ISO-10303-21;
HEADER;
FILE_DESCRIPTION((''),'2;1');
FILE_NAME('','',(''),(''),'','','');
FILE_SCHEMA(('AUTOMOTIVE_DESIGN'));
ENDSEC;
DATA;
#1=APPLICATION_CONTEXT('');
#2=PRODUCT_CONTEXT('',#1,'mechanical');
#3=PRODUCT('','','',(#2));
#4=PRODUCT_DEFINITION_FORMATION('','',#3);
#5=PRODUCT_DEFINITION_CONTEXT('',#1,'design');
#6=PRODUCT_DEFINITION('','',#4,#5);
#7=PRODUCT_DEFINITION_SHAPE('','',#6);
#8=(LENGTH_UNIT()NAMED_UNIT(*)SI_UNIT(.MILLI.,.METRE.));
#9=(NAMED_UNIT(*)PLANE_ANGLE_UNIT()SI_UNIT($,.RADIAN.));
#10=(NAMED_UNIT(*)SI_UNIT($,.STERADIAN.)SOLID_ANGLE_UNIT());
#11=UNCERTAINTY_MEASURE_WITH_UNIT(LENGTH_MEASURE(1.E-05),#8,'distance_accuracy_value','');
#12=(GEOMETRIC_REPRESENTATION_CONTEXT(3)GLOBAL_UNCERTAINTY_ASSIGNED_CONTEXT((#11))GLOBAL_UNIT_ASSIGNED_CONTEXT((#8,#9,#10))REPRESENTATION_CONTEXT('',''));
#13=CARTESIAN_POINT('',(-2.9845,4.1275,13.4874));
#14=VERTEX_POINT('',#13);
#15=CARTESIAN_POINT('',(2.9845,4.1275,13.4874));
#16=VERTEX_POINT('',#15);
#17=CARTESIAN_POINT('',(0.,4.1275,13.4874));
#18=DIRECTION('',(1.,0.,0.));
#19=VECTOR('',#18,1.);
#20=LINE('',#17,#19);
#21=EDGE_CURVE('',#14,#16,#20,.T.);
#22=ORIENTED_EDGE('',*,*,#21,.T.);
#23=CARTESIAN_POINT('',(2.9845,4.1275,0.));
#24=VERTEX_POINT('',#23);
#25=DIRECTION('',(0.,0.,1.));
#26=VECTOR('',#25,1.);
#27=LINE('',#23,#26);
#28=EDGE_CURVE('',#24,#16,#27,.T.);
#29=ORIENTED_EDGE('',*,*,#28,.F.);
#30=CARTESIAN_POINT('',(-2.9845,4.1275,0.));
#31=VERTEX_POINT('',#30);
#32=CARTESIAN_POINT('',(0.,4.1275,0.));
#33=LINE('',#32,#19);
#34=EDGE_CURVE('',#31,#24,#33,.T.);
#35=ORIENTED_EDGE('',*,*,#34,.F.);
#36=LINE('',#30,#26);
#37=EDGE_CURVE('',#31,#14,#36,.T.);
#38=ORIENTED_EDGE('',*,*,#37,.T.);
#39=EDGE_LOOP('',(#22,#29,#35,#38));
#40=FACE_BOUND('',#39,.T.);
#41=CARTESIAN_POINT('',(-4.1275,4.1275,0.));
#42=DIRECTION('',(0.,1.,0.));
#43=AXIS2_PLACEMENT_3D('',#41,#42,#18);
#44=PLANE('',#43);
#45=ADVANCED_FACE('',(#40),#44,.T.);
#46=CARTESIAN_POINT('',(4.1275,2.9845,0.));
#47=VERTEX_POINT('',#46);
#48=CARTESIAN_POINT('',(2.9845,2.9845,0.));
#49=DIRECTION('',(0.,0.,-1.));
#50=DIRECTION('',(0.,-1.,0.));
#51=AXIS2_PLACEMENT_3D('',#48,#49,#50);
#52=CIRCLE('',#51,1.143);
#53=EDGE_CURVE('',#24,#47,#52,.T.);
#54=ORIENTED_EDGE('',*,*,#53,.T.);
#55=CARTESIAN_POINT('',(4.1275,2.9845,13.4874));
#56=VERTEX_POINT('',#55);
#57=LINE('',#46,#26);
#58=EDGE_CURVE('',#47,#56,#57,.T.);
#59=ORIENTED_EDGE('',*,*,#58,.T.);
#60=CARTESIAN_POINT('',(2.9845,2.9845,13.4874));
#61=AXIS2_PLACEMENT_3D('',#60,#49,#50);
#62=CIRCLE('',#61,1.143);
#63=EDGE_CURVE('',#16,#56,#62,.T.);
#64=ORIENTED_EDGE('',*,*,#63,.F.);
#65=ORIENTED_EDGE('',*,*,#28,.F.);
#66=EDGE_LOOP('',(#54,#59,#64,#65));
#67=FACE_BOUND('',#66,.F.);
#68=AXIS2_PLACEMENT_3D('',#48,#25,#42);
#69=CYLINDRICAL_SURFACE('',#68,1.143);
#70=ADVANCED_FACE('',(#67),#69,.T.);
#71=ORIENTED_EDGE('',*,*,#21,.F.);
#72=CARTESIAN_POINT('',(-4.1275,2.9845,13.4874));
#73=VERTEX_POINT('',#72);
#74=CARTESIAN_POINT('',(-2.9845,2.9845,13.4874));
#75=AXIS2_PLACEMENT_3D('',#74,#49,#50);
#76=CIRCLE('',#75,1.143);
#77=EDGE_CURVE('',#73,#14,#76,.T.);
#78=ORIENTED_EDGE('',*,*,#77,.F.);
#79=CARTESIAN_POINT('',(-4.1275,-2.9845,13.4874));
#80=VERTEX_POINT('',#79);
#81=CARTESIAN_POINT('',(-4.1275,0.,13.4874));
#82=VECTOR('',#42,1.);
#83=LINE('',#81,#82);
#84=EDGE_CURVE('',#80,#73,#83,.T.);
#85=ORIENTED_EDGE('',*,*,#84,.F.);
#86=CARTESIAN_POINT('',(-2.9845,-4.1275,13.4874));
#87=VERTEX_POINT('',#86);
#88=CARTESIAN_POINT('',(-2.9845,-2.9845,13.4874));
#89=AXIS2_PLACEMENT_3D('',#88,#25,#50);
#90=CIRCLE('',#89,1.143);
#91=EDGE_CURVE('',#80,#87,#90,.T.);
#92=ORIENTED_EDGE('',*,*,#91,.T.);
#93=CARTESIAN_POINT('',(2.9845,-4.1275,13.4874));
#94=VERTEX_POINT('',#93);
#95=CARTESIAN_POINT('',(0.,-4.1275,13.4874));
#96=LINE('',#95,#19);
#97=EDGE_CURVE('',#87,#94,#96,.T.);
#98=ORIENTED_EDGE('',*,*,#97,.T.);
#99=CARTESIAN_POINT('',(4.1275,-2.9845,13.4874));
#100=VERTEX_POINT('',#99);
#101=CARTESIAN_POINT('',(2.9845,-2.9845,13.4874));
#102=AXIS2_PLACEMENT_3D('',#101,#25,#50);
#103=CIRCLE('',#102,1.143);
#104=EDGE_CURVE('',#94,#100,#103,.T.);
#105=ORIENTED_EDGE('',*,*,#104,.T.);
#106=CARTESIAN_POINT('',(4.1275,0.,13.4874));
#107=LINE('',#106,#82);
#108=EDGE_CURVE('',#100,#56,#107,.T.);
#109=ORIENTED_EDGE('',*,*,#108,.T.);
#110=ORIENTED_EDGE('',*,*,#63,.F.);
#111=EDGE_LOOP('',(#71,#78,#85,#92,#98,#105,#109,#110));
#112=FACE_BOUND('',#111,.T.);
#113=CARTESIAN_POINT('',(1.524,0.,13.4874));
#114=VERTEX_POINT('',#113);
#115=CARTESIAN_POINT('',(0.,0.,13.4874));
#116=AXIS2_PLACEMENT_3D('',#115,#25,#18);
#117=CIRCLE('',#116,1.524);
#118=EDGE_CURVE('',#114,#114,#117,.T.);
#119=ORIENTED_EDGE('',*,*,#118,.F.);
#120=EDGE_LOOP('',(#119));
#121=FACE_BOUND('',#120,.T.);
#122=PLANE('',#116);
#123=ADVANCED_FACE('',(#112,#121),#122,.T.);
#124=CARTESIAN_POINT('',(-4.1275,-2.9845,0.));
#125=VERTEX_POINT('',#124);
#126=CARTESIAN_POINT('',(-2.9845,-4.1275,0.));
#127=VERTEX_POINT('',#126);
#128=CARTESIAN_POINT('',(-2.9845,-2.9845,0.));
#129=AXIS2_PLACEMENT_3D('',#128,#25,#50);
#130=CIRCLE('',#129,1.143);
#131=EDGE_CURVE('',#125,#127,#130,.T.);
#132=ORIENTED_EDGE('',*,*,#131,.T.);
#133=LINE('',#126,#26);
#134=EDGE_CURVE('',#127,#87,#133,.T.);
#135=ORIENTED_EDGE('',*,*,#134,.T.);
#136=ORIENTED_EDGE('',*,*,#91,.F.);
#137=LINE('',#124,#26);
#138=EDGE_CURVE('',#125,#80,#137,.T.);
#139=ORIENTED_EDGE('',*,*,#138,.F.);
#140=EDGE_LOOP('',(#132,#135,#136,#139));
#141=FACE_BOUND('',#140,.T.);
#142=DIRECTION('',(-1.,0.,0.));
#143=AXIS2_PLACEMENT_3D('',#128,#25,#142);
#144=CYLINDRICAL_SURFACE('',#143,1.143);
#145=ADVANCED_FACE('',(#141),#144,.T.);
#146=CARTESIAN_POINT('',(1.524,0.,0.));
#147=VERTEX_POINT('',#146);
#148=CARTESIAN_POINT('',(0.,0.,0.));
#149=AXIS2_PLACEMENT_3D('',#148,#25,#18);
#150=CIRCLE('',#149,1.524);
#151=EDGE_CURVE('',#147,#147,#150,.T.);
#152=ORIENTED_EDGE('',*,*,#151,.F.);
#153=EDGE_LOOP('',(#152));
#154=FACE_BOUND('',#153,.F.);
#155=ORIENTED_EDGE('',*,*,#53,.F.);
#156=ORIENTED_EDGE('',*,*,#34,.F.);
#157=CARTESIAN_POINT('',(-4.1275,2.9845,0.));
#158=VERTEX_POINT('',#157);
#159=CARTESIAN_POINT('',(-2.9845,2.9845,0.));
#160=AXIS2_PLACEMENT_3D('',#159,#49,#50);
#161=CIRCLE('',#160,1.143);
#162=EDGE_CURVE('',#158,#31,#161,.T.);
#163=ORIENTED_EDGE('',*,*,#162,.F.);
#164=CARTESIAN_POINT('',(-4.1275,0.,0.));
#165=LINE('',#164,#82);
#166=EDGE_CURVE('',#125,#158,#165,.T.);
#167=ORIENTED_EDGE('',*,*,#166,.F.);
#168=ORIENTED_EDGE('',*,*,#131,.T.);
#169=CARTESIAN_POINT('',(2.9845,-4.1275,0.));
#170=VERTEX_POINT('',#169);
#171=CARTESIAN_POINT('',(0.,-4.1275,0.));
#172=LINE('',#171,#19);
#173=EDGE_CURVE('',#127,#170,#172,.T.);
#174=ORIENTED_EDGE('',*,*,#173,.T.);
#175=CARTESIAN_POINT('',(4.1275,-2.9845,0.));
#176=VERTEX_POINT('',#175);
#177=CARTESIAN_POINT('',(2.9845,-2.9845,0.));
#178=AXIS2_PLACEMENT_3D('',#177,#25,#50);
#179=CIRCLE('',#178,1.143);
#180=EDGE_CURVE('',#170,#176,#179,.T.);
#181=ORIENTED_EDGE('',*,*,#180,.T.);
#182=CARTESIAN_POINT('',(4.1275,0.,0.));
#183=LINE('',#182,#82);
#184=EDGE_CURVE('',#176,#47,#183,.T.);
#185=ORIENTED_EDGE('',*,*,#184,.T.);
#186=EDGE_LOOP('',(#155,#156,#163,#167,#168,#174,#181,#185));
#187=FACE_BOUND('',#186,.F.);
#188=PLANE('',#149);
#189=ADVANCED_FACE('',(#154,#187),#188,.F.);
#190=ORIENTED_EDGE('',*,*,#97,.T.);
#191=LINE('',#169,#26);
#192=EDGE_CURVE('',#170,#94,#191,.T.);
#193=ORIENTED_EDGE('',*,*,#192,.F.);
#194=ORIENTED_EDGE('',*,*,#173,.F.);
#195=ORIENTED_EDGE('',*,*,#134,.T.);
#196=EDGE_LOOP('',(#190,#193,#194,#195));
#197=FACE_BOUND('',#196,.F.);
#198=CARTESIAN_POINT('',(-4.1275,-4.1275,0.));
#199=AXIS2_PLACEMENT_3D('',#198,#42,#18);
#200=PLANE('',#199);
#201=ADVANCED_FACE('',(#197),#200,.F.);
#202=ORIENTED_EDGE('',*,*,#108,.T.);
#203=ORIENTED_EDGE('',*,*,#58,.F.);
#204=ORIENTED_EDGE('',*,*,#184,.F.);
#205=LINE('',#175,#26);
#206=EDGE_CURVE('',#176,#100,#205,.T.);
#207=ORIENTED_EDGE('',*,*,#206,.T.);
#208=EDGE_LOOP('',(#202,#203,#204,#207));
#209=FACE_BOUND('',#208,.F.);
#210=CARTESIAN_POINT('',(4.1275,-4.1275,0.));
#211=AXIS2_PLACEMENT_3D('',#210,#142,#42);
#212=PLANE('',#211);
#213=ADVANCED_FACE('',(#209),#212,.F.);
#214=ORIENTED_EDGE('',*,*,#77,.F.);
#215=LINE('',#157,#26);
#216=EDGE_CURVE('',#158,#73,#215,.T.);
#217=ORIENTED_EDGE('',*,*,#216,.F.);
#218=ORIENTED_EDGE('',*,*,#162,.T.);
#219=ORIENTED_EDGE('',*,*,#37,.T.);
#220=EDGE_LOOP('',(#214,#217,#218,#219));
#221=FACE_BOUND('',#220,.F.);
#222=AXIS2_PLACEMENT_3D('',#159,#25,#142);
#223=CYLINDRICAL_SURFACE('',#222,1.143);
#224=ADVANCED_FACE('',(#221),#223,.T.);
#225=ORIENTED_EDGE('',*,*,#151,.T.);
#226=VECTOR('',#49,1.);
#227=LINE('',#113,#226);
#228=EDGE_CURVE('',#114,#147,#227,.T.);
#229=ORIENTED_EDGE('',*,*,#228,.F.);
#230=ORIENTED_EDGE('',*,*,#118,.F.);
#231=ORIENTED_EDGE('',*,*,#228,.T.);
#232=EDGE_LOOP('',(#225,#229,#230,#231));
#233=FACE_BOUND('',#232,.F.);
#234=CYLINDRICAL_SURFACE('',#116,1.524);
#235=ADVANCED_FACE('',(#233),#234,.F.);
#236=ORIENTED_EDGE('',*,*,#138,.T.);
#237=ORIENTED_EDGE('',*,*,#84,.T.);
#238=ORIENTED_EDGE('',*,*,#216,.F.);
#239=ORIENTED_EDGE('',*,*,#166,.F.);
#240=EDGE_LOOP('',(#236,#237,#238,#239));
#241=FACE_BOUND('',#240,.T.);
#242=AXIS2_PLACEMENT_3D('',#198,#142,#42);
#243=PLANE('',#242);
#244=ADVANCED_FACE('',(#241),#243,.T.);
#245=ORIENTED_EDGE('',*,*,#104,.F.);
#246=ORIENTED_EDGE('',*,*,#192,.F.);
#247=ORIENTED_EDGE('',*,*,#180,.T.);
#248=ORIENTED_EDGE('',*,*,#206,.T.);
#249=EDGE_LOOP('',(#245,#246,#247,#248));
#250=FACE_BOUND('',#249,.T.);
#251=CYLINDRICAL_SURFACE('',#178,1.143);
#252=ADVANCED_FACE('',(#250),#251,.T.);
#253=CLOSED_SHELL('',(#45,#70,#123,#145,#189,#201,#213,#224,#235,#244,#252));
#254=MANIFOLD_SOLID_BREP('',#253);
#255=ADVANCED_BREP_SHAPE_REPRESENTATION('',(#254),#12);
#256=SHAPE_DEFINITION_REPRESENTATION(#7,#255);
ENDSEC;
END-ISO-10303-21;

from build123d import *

# Parameters (mm, degrees)
SKETCH_W    = 8.255
SKETCH_H    = 8.255
PAD_DEPTH   = 13.4874
SKETCH001_R = 1.524
HOLE_DEPTH  = 24.9936
FILLET_R    = 1.143


with BuildPart() as part:
    # Sketch → Pad (new body)
    with BuildSketch(Plane.XY):
        Rectangle(SKETCH_W, SKETCH_H)
    extrude(amount=PAD_DEPTH)

    # Sketch001 (on Face6 of Pad) → Hole (cut)
    with BuildSketch(Plane.XY.offset(13.4874)):
        Circle(SKETCH001_R)
    extrude(amount=-HOLE_DEPTH, mode=Mode.SUBTRACT)

    # Fillet
    fillet_edges = [part.edges().sort_by_distance(p)[0] for p in [
        (-4.1275, 4.1275, 6.7437),
        (-4.1275, -4.1275, 6.7437),
        (4.1275, -4.1275, 6.7437),
        (4.1275, 4.1275, 6.7437),
    ]]
    fillet(fillet_edges, radius=FILLET_R)


solid = part.part
